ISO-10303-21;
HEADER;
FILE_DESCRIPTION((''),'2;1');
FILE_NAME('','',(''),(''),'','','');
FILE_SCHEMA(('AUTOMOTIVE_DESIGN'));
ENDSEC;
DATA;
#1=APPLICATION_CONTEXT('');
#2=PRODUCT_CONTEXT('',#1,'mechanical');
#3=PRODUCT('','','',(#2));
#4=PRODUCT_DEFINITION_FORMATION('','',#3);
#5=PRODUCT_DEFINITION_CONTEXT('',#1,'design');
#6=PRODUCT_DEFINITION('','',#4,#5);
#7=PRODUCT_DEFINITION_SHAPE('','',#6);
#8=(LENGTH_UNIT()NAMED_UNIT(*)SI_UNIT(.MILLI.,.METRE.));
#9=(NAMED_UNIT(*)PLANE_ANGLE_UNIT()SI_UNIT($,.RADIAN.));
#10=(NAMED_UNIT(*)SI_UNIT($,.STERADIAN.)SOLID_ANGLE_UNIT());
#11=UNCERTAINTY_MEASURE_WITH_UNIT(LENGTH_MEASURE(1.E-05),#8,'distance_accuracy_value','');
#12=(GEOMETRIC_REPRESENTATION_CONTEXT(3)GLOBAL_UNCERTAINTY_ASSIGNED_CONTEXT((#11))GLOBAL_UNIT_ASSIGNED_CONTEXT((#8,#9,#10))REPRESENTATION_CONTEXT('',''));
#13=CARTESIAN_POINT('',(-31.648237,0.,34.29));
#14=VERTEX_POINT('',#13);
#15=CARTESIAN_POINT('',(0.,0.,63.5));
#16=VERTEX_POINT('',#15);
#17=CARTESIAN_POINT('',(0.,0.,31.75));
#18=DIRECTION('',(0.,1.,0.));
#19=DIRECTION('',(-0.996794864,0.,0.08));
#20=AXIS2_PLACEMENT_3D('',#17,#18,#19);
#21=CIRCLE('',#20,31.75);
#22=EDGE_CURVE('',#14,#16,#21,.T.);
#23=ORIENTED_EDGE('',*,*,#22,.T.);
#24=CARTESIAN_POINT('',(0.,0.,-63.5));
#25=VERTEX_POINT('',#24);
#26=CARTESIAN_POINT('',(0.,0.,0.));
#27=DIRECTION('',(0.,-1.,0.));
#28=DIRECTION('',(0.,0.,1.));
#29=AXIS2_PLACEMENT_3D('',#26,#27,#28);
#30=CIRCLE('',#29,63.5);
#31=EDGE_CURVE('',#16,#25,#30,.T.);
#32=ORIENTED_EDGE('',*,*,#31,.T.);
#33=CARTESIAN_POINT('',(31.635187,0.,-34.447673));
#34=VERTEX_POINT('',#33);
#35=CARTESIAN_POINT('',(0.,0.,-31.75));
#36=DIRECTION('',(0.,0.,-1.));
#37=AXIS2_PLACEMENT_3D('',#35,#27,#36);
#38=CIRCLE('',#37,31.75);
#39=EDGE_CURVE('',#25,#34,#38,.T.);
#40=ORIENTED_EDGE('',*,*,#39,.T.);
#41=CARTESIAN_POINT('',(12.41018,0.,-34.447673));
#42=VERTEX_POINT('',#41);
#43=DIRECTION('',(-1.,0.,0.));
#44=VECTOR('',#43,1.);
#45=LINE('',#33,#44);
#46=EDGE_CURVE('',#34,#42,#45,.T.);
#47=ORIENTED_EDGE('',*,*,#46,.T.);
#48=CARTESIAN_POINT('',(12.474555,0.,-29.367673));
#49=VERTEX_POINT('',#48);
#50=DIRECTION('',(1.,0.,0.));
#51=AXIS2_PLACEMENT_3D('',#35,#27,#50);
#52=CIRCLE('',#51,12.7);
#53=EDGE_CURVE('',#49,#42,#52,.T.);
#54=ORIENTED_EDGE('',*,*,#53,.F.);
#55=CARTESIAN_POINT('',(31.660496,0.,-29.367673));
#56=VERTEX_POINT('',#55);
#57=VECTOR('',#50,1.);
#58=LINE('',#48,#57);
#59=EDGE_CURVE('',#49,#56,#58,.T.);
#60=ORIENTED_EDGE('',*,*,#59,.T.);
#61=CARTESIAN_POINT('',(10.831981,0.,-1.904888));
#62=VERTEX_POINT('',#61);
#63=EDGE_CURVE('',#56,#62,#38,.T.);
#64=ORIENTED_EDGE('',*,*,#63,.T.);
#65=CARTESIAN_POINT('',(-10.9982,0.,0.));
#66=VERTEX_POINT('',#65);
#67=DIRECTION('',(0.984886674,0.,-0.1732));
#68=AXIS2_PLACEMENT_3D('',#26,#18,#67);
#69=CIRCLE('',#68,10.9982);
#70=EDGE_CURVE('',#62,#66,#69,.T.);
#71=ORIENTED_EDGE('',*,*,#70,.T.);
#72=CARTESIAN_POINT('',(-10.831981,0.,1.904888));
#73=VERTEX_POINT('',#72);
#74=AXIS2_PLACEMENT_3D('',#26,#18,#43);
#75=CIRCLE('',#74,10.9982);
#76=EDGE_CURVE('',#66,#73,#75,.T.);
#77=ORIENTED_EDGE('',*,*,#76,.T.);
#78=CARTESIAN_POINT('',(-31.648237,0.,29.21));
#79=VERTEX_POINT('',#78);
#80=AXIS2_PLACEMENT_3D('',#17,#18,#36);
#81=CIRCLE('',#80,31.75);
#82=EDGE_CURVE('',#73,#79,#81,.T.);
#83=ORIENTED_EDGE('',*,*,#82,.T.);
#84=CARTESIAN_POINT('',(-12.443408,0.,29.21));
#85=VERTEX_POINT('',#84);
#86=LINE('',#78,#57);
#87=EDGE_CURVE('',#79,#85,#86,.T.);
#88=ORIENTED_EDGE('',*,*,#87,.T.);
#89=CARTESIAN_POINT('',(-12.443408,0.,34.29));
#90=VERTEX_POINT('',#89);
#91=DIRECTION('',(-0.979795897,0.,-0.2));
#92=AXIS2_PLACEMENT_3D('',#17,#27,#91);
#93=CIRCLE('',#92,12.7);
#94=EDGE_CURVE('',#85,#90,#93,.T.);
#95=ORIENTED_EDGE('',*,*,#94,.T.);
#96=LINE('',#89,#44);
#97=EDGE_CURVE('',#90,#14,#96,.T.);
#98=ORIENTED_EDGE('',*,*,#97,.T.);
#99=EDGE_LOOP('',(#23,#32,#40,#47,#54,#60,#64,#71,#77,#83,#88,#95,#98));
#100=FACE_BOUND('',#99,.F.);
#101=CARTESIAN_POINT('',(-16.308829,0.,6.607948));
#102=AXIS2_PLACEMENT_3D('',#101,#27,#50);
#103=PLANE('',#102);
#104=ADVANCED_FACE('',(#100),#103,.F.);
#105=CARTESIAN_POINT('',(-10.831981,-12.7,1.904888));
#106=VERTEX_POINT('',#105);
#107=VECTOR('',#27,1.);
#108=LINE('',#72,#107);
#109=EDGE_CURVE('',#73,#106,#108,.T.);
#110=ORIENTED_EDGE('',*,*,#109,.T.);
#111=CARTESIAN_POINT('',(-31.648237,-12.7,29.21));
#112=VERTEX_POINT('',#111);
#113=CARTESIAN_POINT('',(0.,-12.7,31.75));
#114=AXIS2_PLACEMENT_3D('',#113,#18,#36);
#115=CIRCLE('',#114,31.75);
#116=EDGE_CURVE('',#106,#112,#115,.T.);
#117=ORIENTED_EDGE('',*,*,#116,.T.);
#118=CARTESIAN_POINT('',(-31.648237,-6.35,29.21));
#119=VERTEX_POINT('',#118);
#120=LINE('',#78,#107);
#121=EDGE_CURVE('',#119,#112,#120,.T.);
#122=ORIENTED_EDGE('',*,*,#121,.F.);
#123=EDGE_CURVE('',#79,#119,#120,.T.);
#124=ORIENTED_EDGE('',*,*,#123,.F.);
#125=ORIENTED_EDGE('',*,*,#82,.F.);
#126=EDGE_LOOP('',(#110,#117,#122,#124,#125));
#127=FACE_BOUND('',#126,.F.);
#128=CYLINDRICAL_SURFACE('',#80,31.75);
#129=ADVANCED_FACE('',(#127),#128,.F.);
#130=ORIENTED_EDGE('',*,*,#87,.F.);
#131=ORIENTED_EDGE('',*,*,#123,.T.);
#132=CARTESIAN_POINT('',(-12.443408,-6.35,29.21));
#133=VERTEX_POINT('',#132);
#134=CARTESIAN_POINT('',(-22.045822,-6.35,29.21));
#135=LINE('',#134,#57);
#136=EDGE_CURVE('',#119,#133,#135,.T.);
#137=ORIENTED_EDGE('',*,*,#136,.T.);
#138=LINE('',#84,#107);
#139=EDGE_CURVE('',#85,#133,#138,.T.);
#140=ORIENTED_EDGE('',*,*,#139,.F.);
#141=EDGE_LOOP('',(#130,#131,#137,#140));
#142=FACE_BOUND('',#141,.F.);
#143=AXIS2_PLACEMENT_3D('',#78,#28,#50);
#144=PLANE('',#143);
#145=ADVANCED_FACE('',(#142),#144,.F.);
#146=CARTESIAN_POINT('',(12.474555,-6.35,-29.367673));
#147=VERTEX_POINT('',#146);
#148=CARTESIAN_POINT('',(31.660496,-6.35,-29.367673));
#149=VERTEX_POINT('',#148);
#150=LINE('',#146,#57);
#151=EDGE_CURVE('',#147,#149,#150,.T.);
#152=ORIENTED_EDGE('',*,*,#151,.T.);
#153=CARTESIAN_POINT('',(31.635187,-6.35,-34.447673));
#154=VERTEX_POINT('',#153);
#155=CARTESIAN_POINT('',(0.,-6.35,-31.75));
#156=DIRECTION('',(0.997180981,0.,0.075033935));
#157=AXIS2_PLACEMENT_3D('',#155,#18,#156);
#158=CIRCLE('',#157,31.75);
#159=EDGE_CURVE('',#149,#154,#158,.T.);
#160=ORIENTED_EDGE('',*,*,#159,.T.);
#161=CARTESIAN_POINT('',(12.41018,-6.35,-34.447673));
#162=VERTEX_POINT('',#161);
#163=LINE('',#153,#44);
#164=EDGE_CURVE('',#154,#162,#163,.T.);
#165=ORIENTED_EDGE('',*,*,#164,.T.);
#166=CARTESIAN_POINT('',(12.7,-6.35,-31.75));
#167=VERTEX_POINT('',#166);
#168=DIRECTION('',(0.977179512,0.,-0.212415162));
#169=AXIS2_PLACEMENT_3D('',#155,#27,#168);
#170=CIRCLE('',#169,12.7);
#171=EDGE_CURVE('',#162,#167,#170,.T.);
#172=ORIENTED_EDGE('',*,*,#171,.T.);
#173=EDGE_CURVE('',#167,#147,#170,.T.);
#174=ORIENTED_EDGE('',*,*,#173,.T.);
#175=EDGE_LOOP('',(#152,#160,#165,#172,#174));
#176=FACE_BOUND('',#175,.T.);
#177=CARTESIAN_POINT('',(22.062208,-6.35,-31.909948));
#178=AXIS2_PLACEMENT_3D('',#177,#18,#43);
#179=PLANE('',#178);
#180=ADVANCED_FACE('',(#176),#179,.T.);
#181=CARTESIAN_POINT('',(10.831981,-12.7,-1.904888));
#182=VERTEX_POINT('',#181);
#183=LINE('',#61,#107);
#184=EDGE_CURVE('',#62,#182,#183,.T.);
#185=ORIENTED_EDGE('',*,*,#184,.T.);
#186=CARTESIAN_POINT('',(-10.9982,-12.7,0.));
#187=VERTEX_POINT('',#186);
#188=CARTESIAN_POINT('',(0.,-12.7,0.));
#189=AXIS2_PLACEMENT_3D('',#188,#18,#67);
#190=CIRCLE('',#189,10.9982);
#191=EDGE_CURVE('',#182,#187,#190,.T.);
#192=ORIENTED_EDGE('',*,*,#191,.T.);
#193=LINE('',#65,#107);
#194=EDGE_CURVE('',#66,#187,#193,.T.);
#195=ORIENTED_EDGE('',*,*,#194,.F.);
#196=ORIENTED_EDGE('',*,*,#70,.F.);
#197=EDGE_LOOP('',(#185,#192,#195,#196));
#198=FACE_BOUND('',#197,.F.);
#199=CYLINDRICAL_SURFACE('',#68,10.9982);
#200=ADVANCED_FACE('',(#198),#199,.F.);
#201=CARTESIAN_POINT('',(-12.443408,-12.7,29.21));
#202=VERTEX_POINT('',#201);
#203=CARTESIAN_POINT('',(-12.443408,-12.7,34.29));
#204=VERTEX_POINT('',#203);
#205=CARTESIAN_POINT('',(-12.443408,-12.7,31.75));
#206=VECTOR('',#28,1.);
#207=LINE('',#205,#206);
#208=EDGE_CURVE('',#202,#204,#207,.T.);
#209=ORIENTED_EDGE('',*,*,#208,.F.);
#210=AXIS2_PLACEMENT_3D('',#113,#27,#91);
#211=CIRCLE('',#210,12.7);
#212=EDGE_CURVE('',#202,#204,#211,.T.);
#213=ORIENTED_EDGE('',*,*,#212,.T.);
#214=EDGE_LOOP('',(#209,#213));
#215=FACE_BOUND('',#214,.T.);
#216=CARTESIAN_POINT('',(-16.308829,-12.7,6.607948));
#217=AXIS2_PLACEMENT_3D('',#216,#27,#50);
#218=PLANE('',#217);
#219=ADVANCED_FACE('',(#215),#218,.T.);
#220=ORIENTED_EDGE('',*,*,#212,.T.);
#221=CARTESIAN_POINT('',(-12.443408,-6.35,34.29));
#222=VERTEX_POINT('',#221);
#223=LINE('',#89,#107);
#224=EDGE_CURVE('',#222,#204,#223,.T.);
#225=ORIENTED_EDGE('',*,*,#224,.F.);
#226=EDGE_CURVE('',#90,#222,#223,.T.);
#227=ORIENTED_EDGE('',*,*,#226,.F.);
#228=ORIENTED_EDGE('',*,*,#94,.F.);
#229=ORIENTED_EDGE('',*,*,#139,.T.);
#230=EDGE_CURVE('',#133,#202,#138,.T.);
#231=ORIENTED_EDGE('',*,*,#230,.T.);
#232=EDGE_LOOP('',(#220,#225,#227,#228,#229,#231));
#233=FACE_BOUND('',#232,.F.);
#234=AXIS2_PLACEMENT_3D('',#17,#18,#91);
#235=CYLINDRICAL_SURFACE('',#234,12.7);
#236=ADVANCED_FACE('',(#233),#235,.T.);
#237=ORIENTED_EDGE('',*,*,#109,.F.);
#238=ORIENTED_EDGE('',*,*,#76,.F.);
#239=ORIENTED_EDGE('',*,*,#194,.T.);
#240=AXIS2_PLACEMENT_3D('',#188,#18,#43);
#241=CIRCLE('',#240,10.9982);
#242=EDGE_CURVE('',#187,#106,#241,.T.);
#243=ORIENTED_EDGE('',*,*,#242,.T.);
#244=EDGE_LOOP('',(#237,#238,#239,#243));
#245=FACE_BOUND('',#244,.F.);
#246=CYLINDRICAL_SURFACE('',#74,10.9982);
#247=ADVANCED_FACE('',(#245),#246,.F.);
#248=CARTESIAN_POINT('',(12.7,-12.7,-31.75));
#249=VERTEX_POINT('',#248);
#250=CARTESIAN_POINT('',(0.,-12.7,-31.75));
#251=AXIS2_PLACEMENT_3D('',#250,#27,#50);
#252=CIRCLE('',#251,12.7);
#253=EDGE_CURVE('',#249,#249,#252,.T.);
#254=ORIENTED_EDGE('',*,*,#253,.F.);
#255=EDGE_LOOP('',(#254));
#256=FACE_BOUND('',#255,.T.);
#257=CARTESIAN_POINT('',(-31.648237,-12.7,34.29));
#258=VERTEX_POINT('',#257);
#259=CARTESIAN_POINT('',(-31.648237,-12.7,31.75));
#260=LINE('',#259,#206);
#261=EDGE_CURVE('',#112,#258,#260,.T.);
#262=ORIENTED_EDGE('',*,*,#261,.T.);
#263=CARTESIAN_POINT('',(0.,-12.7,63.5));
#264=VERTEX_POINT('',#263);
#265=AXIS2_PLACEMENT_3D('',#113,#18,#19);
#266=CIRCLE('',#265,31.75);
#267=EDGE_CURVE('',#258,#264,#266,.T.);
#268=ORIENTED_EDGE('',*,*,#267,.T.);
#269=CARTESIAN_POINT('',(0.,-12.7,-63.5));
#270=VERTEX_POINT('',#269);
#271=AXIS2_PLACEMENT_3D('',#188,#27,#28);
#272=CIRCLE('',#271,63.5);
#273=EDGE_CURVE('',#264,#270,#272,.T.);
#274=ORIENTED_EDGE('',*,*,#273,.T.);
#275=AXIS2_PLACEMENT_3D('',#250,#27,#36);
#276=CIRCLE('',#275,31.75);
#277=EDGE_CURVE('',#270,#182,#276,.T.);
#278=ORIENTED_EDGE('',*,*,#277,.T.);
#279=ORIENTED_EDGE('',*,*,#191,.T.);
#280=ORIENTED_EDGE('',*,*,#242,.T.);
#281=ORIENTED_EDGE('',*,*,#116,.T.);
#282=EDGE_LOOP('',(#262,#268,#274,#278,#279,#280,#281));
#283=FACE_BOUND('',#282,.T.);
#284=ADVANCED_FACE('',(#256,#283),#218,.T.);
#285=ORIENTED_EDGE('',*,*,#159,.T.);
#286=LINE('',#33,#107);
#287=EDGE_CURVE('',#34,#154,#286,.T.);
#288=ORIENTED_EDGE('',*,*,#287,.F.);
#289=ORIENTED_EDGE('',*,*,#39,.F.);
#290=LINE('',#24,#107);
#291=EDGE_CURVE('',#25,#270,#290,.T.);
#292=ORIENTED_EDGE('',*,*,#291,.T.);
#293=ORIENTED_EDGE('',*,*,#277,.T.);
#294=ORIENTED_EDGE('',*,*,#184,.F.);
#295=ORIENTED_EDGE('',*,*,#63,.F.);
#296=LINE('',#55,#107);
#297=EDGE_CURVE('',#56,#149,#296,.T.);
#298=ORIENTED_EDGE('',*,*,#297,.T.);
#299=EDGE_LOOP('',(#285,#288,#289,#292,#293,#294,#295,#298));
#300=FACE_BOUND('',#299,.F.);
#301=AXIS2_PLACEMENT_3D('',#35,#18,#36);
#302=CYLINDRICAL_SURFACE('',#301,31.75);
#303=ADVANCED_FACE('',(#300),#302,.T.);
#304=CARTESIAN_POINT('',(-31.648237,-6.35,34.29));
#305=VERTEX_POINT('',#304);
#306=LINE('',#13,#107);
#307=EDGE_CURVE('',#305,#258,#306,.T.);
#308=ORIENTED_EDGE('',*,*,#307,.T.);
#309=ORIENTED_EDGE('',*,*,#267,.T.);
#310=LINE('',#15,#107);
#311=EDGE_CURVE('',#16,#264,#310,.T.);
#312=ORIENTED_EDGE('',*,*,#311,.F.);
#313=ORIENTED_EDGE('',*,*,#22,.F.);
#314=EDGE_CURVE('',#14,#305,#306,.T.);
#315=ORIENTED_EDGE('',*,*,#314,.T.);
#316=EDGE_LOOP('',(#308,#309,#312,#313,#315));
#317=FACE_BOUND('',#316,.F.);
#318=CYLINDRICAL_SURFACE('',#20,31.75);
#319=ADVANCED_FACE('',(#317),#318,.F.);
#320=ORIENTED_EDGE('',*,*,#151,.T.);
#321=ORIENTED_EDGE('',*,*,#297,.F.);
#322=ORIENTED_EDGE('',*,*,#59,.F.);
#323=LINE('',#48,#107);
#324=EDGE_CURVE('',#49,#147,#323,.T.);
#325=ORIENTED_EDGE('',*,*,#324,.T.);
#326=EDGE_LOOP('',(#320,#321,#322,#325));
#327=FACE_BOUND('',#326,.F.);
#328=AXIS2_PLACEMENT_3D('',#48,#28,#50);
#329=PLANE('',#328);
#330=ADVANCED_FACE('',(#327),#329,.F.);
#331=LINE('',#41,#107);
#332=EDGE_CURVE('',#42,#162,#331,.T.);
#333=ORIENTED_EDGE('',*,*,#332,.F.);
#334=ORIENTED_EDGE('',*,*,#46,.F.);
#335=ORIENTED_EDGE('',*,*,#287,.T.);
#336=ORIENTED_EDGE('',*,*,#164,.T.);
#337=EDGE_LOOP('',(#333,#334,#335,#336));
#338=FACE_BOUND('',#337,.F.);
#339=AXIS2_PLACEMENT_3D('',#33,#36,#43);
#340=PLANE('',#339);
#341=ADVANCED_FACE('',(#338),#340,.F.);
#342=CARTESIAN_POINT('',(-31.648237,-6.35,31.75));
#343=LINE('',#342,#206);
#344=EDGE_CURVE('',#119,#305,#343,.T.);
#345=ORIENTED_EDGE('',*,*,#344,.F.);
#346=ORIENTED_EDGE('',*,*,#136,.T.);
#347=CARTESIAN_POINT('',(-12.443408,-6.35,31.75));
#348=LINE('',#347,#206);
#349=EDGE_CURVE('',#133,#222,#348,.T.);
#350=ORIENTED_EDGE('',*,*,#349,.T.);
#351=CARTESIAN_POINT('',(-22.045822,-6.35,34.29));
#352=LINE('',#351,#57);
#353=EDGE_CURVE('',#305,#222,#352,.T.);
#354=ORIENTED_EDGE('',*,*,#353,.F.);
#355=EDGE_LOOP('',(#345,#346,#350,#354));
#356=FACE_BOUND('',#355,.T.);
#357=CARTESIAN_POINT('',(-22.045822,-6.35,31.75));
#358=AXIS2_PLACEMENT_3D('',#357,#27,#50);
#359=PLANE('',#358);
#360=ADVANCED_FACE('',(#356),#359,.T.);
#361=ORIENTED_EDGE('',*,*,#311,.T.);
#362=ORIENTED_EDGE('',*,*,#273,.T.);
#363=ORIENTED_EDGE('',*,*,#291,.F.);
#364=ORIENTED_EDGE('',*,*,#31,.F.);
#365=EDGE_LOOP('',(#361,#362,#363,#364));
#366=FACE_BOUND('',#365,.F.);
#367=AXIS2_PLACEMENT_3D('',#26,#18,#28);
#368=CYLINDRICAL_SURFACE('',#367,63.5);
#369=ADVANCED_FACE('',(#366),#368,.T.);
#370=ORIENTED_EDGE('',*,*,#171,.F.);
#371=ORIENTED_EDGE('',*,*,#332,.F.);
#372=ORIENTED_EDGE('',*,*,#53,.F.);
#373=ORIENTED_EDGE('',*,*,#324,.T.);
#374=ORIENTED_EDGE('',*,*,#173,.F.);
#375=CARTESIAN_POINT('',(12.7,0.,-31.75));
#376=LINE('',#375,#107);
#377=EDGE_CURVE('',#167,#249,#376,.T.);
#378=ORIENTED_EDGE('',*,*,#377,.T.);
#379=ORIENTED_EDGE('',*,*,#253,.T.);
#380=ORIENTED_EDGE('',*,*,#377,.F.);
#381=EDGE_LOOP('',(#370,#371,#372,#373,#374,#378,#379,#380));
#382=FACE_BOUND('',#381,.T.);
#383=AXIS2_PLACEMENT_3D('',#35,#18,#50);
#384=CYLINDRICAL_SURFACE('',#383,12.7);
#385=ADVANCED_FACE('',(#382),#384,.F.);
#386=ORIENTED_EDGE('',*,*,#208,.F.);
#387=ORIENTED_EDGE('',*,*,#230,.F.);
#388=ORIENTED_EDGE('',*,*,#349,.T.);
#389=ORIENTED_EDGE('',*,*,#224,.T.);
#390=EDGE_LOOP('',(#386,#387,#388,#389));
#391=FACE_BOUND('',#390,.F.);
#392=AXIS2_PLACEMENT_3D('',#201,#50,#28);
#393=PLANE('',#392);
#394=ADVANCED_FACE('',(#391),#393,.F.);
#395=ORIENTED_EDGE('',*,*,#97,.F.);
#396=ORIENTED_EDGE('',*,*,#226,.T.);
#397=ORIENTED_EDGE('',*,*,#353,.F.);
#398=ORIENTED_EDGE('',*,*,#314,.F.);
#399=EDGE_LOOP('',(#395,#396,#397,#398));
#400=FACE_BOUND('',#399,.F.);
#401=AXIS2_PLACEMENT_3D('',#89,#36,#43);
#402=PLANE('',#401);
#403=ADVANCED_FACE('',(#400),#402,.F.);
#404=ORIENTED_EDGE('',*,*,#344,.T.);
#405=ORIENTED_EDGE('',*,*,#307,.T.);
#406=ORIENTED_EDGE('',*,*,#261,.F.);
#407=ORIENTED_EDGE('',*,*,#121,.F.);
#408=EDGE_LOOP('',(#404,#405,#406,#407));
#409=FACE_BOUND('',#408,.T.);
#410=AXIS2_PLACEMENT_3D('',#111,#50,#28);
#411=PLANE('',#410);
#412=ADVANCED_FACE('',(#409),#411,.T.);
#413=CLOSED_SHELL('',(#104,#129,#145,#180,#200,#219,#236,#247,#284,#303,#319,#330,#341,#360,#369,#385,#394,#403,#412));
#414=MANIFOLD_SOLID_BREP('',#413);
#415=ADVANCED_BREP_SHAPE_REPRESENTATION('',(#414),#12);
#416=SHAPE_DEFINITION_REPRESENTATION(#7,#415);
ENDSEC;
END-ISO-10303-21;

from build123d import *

# Parameters (mm, degrees)
F0_R     = 12.7
F1_DEPTH = 12.7
F3_DEPTH = 6.35
F4_W     = 19.2048290244
F4_H     = 5.08
F5_DEPTH = 6.35
F7_DEPTH = 25.4


with BuildPart() as f1:
    # F0 (on Front) → F1 (new body)
    with BuildSketch(Plane.XZ):
        with BuildLine():
            ThreePointArc((-31.6482369177, 34.29), (-21.5338976964, 55.0813898), (0, 63.5))
            ThreePointArc((0, 63.5), (-63.5, 0), (0, -63.5))
            ThreePointArc((0, -63.5), (31.75, -31.75), (0, 0))
            ThreePointArc((0, 0), (-21.5338976964, 8.4186102), (-31.6482369177, 29.21))
            Line((-31.6482369177, 29.21), (-12.4434078933, 29.21))
            ThreePointArc((-12.4434078933, 29.21), (12.7, 31.75), (-12.4434078933, 34.29))
            Line((-12.4434078933, 34.29), (-31.6482369177, 34.29))
        make_face()
        with Locations((0, -31.75)):
            Circle(F0_R, mode=Mode.SUBTRACT)
    extrude(amount=F1_DEPTH)

    # F2 (on face) → F3 (cut)
    with BuildSketch(Plane(origin=(0, 0, 0), x_dir=(-1, 0, 0), z_dir=(0, 1, 0))):
        with BuildLine():
            ThreePointArc((-12.410179803, -34.4476725629), (-12.6989804051, -31.910924424), (-12.4745547408, -29.3676725629))
            Line((-12.4745547408, -29.3676725629), (-31.6604961424, -29.3676725629))
            ThreePointArc((-31.6604961424, -29.3676725629), (-31.7496059696, -31.9081795626), (-31.6351870983, -34.4476725629))
            Line((-31.6351870983, -34.4476725629), (-12.410179803, -34.4476725629))
        make_face()
    extrude(amount=-F3_DEPTH, mode=Mode.SUBTRACT)

    # F4 (on face) → F5 (cut)
    with BuildSketch(Plane.XZ.offset(12.7)):
        with Locations((-22.0458224055, 31.75)):
            Rectangle(F4_W, F4_H)
    extrude(amount=-F5_DEPTH, mode=Mode.SUBTRACT)

    # F6 (on face) → F7 (cut)
    with BuildSketch(Plane(origin=(0, 0, 0), x_dir=(-1, 0, 0), z_dir=(0, 1, 0))):
        with BuildLine():
            ThreePointArc((-10.8319806145, -1.90488824), (0.9560632943, -10.9565663516), (10.9982, 0))
            ThreePointArc((10.9982, 0), (10.9565663516, 0.9560632943), (10.8319806145, 1.90488824))
            ThreePointArc((10.8319806145, 1.90488824), (5.4991, 0.4798481105), (0, 0))
            ThreePointArc((0, 0), (-5.4991, -0.4798481105), (-10.8319806145, -1.90488824))
        make_face()
    extrude(amount=-F7_DEPTH, mode=Mode.SUBTRACT)


solid = f1.part
